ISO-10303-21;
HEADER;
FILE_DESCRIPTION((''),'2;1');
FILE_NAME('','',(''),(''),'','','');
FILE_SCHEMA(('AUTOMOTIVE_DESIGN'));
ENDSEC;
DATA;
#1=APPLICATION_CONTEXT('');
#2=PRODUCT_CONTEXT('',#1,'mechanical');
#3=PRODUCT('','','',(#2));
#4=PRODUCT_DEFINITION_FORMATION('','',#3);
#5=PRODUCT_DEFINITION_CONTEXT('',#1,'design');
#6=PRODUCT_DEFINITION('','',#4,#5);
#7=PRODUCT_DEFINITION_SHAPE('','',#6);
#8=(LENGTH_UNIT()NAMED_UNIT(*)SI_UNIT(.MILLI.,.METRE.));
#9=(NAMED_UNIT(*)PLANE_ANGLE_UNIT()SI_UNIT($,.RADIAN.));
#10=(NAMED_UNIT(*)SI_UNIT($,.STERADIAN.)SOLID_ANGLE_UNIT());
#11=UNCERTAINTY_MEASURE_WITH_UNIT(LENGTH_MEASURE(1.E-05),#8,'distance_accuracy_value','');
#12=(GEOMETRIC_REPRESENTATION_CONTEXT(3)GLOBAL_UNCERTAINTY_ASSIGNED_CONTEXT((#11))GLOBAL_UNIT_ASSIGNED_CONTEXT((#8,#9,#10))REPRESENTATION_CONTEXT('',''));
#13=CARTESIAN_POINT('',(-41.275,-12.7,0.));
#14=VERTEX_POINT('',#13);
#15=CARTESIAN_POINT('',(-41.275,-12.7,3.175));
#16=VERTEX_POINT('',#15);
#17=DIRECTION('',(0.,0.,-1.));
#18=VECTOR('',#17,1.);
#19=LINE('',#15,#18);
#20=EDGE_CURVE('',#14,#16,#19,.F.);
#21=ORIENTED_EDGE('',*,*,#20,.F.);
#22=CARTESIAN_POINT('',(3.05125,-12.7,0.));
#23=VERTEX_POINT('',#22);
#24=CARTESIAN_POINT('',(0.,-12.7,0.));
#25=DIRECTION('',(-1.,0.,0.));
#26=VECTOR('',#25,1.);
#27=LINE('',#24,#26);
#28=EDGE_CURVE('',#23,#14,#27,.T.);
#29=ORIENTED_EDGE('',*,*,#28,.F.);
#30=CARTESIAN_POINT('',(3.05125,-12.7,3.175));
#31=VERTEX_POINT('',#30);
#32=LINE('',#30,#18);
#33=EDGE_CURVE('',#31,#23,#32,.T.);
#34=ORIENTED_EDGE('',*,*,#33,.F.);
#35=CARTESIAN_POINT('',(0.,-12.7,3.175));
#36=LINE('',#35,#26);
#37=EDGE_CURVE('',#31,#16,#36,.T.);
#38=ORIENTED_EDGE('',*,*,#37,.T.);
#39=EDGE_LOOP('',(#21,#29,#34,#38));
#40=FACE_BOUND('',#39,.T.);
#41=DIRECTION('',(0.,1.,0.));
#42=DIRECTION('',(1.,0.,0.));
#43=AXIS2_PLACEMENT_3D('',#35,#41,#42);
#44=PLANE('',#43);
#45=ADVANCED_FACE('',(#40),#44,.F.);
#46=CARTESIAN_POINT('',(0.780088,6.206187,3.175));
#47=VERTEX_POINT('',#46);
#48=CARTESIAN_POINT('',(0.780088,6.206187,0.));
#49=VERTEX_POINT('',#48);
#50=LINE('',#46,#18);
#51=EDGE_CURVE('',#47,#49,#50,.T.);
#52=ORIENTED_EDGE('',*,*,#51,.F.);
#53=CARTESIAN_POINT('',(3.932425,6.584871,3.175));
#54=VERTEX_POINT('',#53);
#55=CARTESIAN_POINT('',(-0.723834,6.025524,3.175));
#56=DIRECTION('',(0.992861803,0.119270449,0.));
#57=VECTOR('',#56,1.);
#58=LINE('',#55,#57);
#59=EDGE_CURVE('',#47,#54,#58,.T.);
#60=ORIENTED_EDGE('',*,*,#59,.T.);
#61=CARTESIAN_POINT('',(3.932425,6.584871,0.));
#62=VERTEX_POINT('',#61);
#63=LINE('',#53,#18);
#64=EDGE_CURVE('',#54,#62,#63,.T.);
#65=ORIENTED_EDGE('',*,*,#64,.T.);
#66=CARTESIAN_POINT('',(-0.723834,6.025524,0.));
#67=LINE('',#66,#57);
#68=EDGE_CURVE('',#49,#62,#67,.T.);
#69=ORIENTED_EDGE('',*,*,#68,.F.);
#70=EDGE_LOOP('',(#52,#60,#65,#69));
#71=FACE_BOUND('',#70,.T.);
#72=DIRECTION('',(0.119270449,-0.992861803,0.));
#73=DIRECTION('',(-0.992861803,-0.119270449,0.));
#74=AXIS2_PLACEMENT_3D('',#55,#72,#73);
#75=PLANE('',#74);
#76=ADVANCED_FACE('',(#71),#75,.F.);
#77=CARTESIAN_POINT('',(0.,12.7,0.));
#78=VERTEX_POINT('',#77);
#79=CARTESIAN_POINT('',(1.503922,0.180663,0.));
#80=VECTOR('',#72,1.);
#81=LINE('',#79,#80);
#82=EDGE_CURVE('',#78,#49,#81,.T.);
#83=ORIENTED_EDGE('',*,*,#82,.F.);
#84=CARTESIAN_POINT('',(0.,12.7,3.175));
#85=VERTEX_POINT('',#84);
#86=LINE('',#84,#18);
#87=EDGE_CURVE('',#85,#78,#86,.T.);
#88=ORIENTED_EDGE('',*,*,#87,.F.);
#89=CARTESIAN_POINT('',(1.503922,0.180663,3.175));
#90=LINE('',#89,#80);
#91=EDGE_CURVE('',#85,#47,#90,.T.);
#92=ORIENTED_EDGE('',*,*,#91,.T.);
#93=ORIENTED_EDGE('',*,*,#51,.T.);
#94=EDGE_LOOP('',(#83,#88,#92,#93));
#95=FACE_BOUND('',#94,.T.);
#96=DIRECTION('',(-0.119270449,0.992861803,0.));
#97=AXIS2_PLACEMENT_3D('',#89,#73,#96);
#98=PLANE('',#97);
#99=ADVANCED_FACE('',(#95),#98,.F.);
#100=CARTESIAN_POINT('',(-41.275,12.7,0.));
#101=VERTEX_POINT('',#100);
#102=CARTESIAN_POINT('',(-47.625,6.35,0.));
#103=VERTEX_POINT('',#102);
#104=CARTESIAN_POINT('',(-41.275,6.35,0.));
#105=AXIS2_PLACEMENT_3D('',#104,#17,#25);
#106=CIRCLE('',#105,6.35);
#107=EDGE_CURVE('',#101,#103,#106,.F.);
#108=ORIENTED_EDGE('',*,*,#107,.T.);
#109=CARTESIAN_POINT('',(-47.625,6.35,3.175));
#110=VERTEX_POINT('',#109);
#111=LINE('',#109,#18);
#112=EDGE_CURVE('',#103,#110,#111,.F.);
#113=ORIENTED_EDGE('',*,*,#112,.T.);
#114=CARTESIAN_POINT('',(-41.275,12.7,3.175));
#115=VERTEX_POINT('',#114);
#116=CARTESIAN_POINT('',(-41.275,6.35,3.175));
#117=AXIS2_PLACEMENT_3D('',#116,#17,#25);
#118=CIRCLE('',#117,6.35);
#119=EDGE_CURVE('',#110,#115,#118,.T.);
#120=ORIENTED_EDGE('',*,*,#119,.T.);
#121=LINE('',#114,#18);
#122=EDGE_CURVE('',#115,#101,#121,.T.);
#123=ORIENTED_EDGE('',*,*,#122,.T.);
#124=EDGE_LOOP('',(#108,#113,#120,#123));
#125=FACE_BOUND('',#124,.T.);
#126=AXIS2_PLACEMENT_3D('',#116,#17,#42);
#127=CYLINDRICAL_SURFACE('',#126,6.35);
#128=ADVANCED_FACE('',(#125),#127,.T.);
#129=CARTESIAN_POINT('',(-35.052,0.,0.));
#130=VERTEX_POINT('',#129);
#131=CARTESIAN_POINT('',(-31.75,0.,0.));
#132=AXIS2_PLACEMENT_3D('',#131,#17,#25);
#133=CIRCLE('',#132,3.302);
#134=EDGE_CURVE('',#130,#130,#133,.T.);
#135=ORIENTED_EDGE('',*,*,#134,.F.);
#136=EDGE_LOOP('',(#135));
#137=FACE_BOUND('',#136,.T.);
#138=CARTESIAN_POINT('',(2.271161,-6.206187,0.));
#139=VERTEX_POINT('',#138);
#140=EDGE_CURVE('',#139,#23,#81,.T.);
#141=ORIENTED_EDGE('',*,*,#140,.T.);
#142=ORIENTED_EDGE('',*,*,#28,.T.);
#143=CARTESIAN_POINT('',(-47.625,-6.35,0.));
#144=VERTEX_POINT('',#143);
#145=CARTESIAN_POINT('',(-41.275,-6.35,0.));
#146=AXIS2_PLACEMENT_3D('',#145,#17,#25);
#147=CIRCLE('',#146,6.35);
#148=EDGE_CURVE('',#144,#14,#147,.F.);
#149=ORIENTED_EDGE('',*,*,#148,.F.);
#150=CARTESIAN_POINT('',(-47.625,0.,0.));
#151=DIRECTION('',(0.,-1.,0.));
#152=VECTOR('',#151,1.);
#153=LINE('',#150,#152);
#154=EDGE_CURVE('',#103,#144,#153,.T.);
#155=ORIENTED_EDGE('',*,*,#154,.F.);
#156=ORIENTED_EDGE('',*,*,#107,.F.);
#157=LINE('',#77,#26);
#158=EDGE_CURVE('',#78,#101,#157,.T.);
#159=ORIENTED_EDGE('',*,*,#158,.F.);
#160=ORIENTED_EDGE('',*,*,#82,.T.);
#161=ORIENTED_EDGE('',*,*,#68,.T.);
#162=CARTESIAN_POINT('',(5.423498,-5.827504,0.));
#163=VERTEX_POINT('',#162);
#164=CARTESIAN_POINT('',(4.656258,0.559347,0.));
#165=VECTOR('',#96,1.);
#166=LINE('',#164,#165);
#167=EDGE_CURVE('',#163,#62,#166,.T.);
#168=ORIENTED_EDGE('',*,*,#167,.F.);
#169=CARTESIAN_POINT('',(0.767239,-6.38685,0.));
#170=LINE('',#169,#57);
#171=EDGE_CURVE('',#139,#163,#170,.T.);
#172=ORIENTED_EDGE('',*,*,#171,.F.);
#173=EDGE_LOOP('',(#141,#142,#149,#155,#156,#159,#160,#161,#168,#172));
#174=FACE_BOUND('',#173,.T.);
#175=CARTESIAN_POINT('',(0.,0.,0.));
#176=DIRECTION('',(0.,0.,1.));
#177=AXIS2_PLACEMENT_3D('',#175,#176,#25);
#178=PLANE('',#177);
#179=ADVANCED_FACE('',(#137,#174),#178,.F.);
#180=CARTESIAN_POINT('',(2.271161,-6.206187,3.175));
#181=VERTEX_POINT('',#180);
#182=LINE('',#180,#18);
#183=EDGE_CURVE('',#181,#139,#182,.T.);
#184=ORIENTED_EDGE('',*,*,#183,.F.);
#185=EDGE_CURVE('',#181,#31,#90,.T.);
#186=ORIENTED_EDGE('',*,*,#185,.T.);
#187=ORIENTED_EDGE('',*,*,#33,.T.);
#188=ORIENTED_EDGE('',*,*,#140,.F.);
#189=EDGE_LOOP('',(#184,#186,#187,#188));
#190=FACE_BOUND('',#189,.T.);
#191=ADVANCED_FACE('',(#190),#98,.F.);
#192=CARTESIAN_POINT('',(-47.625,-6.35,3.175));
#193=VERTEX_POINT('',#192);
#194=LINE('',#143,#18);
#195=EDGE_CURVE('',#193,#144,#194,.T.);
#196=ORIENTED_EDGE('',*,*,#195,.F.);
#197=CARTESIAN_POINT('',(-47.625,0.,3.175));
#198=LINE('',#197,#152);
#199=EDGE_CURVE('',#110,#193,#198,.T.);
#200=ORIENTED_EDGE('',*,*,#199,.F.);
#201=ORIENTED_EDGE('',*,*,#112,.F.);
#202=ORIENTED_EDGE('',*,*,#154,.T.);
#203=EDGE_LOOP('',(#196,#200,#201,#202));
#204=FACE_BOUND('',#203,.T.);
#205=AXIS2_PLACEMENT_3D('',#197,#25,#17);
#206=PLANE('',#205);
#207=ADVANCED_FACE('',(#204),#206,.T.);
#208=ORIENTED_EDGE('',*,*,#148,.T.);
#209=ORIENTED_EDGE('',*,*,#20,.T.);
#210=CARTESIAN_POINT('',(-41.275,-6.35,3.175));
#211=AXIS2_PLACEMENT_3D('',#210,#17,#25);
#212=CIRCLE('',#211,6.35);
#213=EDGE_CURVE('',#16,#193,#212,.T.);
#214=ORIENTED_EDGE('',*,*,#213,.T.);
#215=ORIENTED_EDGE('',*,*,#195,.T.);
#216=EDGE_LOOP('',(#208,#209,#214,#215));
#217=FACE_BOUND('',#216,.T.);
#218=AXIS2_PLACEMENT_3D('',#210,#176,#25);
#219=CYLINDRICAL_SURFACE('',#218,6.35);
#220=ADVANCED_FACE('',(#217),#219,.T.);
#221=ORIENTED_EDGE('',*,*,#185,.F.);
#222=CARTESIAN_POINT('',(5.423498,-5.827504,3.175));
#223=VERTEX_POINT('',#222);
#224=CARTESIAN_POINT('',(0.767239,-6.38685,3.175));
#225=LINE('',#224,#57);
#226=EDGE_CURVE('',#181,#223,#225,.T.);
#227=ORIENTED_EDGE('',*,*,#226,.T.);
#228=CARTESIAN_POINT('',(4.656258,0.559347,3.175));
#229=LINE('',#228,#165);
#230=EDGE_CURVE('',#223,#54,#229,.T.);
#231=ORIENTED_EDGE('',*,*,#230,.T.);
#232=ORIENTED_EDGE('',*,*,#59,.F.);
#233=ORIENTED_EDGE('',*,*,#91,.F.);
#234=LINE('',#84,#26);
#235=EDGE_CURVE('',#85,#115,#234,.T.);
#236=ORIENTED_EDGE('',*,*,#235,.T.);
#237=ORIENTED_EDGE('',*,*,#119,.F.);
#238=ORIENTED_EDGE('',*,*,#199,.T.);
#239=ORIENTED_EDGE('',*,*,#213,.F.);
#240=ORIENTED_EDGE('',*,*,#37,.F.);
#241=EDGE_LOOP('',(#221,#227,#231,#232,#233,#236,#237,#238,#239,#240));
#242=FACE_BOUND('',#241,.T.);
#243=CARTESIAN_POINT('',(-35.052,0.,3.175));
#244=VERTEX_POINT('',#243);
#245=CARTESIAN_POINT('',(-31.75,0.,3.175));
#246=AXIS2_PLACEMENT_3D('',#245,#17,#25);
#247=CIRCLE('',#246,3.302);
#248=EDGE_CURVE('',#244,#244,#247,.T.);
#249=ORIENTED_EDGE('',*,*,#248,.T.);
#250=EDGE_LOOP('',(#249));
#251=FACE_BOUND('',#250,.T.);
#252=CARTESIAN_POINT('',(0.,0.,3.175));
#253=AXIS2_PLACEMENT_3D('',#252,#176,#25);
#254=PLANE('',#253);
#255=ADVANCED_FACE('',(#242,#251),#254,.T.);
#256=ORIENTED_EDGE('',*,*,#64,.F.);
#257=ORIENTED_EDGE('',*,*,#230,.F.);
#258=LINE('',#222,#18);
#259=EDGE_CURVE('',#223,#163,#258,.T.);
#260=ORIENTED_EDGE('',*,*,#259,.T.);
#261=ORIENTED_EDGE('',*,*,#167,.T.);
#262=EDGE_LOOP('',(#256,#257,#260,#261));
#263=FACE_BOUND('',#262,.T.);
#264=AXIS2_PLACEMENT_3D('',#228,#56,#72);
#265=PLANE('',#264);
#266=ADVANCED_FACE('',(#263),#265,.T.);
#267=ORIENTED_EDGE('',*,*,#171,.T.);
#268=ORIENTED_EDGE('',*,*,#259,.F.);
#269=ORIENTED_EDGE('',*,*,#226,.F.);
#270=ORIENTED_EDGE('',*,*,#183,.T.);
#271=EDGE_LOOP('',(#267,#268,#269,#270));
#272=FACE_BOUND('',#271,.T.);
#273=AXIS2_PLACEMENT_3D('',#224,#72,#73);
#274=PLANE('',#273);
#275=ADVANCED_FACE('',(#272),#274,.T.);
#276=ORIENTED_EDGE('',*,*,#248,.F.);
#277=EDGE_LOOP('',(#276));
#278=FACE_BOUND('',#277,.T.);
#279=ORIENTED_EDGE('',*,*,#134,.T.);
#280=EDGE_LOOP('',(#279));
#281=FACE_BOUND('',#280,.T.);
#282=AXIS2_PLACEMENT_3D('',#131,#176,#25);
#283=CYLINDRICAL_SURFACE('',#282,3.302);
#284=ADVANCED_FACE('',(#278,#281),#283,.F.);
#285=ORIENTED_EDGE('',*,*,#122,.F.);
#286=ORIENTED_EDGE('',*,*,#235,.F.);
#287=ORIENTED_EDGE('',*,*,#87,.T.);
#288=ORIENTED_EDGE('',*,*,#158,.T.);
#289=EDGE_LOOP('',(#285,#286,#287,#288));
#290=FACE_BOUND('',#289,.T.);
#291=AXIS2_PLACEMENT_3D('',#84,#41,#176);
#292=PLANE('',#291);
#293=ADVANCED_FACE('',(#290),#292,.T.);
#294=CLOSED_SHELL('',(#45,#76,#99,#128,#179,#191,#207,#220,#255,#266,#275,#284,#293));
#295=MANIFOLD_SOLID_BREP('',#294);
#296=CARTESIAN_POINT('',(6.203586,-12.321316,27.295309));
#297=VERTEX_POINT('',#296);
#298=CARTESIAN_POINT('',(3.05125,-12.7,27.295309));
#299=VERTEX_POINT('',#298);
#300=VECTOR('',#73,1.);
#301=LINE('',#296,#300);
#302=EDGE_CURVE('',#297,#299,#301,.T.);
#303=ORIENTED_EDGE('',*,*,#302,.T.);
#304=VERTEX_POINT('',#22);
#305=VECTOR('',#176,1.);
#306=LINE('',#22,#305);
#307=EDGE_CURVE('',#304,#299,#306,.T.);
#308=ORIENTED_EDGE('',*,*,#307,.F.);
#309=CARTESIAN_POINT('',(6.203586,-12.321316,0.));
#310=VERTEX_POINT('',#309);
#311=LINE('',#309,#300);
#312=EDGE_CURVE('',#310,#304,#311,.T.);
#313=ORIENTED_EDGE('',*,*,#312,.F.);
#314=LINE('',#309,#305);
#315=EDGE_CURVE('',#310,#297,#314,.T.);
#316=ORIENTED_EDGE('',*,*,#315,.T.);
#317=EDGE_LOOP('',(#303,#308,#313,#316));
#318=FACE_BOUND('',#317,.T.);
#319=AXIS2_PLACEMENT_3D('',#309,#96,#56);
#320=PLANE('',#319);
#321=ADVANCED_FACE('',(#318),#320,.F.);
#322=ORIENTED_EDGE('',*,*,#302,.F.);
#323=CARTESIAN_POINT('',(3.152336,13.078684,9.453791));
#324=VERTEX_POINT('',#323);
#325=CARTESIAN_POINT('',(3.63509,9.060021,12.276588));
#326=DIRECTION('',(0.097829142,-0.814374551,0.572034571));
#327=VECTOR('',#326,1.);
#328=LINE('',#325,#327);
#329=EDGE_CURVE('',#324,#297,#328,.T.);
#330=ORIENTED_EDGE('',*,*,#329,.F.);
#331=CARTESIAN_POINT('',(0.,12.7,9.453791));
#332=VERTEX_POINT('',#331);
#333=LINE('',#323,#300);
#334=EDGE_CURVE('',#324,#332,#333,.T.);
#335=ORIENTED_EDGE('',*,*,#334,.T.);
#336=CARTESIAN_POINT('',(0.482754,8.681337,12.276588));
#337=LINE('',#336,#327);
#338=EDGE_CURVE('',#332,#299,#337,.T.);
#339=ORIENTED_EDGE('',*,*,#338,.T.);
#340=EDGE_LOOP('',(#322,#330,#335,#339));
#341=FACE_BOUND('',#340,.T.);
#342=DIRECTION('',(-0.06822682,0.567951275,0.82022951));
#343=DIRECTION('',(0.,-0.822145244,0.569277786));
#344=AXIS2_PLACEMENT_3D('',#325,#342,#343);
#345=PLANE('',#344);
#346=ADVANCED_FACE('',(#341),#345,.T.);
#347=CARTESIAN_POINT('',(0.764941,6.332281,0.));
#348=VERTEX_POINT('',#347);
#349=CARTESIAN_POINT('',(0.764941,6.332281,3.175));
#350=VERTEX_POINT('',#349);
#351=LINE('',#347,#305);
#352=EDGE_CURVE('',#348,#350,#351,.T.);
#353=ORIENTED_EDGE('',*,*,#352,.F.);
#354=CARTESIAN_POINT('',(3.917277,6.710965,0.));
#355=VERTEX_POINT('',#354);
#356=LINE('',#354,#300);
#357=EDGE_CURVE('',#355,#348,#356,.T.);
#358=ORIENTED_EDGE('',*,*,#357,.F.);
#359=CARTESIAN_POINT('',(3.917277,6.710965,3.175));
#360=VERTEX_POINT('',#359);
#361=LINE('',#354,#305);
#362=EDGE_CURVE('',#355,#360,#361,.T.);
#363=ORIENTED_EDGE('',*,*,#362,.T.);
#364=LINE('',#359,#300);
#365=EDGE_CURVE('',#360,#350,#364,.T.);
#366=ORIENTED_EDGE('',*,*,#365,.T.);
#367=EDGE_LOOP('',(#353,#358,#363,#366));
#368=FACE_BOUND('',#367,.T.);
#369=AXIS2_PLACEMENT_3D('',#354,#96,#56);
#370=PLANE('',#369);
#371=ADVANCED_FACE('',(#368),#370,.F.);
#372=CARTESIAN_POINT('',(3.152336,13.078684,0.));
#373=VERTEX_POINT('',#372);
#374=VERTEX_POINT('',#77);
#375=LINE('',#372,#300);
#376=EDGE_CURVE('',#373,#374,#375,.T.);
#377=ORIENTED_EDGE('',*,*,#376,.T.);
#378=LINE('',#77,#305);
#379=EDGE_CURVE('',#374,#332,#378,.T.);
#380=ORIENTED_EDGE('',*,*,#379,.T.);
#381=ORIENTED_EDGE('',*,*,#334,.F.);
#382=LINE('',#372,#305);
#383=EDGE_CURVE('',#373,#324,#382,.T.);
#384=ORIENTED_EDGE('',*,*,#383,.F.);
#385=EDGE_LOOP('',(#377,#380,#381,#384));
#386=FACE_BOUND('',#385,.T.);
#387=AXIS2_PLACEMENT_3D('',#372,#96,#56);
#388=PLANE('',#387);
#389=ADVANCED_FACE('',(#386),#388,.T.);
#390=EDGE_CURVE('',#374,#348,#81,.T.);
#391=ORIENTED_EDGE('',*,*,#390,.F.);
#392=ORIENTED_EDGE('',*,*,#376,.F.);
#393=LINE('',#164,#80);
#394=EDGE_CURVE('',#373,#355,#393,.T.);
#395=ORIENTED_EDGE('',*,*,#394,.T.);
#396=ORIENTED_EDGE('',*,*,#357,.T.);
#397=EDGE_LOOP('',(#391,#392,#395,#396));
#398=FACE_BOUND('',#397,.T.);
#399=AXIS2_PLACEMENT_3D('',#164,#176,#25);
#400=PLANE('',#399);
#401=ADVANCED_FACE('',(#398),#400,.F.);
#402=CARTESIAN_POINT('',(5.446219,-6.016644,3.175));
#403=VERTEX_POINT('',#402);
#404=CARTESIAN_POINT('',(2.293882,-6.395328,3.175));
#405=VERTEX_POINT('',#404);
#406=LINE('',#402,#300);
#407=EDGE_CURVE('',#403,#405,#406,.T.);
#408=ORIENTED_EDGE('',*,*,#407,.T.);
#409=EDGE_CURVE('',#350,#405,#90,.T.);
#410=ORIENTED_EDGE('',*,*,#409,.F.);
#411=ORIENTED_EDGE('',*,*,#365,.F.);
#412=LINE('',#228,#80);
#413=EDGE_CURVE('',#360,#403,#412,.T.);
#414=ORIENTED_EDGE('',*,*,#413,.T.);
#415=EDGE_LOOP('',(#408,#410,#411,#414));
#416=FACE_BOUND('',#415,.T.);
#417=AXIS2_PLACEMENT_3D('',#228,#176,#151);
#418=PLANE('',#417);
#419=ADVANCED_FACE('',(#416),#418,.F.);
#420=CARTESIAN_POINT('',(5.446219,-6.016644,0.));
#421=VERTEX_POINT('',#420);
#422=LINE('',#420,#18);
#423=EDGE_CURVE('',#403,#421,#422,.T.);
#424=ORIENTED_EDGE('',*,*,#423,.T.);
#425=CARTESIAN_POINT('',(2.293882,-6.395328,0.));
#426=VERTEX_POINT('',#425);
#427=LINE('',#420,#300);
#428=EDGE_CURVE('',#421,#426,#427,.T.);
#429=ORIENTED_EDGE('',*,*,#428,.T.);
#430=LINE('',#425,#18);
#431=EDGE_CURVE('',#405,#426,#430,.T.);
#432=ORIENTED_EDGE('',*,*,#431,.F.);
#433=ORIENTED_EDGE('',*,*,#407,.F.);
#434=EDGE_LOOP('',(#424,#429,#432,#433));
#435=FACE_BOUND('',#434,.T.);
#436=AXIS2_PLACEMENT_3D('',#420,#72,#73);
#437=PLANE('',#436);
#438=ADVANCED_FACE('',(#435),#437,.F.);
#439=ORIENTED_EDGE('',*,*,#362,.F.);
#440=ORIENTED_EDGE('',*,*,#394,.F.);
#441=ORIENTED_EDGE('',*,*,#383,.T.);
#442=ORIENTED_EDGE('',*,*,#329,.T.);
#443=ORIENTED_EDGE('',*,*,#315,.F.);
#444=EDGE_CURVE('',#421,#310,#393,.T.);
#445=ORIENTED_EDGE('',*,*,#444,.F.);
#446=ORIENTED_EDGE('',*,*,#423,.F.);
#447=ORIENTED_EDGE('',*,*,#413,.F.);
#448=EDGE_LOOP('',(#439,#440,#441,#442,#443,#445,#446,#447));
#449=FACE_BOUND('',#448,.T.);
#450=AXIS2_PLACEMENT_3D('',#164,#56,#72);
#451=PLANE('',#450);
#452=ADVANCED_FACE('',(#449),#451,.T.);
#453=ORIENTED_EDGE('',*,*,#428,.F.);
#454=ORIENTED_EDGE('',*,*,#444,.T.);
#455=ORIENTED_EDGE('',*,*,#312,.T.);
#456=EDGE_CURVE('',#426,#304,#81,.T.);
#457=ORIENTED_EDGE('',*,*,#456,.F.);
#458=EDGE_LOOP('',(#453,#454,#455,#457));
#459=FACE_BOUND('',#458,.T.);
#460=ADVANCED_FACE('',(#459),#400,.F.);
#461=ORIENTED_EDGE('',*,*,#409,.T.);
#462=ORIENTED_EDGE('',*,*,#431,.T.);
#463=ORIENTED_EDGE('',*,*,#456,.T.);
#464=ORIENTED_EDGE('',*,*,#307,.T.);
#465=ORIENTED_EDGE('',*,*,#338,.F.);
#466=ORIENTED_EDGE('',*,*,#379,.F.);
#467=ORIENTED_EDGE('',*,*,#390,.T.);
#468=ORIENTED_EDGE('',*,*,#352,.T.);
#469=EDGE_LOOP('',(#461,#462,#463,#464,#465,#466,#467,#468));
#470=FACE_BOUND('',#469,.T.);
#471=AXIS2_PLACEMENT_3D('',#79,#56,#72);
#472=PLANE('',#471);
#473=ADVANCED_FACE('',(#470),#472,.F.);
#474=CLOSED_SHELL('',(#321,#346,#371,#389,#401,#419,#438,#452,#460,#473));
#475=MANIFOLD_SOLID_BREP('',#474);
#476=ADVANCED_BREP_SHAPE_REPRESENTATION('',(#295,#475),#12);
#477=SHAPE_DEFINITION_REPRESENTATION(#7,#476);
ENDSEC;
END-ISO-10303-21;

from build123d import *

# Parameters (mm, degrees)
BOSS_EXTRUDE1_DEPTH     = 3.175
CUT_EXTRUDE1_DEPTH      = 50.391408666
CUT_EXTRUDE1_DEPTH_BACK = 50.391408666
SKETCH3_R               = 3.302
BOSS_EXTRUDE2_DEPTH     = 3.175
FILLET1_R               = 6.35


with BuildPart() as part:
    # Sketch1 → Boss-Extrude1 (new body)
    with BuildSketch(Plane.XY):
        Polygon((0, 12.7), (-3.051249826, -12.7), (0, -12.7), (47.625, -12.7), (47.625, 12.7), align=None)
        Polygon((-2.271161455, -6.206187377), (-0.780088372, 6.206187377), (-3.932424596, 6.584871053), (-5.42349768, -5.827503701), align=None)
    extrude(amount=BOSS_EXTRUDE1_DEPTH)

    # Sketch3 → Cut-Extrude1 (cut, two sides: drawn at the far end of the back side and taken through both)
    with BuildSketch(Plane.XY.offset(3.175).offset(-CUT_EXTRUDE1_DEPTH_BACK)):
        with Locations((31.75, 0)):
            Circle(SKETCH3_R)
    extrude(amount=CUT_EXTRUDE1_DEPTH + CUT_EXTRUDE1_DEPTH_BACK, mode=Mode.SUBTRACT)

    # Fillet1
    fillet1_edges = [part.edges().sort_by_distance(p)[0] for p in [
        (47.625, 12.7, 1.5875),
        (47.625, -12.7, 1.5875),
    ]]
    fillet(fillet1_edges, radius=FILLET1_R)


with BuildPart() as body_2:
    # Sketch2 → Boss-Extrude2 (new body)
    with BuildSketch(Plane(origin=(-1.503922228, 0.180663088, 0), x_dir=(0, 0, 1), z_dir=(-0.9928618030717177, 0.11927044898539502, 0))):
        Polygon((0, 12.609344899), (0, 6.195844899), (3.175, 6.195844899), (3.175, -6.623268836), (0, -6.623268836), (0, -12.973268836), (27.295308913, -12.973268836), (9.453791039, 12.609344899), align=None)
    extrude(amount=BOSS_EXTRUDE2_DEPTH)


with BuildPart() as body_3:
    # Mirror2: mirrored copy
    add(body_2.part.mirror(Plane(origin=(0, 0, 0), x_dir=(0, 0, 1), z_dir=(1, 0, 0))))


with BuildPart() as body_4:
    # Mirror2 2: mirrored copy
    add(part.part.mirror(Plane(origin=(0, 0, 0), x_dir=(0, 0, 1), z_dir=(1, 0, 0))))


solid = Compound([body_3.part, body_4.part])
